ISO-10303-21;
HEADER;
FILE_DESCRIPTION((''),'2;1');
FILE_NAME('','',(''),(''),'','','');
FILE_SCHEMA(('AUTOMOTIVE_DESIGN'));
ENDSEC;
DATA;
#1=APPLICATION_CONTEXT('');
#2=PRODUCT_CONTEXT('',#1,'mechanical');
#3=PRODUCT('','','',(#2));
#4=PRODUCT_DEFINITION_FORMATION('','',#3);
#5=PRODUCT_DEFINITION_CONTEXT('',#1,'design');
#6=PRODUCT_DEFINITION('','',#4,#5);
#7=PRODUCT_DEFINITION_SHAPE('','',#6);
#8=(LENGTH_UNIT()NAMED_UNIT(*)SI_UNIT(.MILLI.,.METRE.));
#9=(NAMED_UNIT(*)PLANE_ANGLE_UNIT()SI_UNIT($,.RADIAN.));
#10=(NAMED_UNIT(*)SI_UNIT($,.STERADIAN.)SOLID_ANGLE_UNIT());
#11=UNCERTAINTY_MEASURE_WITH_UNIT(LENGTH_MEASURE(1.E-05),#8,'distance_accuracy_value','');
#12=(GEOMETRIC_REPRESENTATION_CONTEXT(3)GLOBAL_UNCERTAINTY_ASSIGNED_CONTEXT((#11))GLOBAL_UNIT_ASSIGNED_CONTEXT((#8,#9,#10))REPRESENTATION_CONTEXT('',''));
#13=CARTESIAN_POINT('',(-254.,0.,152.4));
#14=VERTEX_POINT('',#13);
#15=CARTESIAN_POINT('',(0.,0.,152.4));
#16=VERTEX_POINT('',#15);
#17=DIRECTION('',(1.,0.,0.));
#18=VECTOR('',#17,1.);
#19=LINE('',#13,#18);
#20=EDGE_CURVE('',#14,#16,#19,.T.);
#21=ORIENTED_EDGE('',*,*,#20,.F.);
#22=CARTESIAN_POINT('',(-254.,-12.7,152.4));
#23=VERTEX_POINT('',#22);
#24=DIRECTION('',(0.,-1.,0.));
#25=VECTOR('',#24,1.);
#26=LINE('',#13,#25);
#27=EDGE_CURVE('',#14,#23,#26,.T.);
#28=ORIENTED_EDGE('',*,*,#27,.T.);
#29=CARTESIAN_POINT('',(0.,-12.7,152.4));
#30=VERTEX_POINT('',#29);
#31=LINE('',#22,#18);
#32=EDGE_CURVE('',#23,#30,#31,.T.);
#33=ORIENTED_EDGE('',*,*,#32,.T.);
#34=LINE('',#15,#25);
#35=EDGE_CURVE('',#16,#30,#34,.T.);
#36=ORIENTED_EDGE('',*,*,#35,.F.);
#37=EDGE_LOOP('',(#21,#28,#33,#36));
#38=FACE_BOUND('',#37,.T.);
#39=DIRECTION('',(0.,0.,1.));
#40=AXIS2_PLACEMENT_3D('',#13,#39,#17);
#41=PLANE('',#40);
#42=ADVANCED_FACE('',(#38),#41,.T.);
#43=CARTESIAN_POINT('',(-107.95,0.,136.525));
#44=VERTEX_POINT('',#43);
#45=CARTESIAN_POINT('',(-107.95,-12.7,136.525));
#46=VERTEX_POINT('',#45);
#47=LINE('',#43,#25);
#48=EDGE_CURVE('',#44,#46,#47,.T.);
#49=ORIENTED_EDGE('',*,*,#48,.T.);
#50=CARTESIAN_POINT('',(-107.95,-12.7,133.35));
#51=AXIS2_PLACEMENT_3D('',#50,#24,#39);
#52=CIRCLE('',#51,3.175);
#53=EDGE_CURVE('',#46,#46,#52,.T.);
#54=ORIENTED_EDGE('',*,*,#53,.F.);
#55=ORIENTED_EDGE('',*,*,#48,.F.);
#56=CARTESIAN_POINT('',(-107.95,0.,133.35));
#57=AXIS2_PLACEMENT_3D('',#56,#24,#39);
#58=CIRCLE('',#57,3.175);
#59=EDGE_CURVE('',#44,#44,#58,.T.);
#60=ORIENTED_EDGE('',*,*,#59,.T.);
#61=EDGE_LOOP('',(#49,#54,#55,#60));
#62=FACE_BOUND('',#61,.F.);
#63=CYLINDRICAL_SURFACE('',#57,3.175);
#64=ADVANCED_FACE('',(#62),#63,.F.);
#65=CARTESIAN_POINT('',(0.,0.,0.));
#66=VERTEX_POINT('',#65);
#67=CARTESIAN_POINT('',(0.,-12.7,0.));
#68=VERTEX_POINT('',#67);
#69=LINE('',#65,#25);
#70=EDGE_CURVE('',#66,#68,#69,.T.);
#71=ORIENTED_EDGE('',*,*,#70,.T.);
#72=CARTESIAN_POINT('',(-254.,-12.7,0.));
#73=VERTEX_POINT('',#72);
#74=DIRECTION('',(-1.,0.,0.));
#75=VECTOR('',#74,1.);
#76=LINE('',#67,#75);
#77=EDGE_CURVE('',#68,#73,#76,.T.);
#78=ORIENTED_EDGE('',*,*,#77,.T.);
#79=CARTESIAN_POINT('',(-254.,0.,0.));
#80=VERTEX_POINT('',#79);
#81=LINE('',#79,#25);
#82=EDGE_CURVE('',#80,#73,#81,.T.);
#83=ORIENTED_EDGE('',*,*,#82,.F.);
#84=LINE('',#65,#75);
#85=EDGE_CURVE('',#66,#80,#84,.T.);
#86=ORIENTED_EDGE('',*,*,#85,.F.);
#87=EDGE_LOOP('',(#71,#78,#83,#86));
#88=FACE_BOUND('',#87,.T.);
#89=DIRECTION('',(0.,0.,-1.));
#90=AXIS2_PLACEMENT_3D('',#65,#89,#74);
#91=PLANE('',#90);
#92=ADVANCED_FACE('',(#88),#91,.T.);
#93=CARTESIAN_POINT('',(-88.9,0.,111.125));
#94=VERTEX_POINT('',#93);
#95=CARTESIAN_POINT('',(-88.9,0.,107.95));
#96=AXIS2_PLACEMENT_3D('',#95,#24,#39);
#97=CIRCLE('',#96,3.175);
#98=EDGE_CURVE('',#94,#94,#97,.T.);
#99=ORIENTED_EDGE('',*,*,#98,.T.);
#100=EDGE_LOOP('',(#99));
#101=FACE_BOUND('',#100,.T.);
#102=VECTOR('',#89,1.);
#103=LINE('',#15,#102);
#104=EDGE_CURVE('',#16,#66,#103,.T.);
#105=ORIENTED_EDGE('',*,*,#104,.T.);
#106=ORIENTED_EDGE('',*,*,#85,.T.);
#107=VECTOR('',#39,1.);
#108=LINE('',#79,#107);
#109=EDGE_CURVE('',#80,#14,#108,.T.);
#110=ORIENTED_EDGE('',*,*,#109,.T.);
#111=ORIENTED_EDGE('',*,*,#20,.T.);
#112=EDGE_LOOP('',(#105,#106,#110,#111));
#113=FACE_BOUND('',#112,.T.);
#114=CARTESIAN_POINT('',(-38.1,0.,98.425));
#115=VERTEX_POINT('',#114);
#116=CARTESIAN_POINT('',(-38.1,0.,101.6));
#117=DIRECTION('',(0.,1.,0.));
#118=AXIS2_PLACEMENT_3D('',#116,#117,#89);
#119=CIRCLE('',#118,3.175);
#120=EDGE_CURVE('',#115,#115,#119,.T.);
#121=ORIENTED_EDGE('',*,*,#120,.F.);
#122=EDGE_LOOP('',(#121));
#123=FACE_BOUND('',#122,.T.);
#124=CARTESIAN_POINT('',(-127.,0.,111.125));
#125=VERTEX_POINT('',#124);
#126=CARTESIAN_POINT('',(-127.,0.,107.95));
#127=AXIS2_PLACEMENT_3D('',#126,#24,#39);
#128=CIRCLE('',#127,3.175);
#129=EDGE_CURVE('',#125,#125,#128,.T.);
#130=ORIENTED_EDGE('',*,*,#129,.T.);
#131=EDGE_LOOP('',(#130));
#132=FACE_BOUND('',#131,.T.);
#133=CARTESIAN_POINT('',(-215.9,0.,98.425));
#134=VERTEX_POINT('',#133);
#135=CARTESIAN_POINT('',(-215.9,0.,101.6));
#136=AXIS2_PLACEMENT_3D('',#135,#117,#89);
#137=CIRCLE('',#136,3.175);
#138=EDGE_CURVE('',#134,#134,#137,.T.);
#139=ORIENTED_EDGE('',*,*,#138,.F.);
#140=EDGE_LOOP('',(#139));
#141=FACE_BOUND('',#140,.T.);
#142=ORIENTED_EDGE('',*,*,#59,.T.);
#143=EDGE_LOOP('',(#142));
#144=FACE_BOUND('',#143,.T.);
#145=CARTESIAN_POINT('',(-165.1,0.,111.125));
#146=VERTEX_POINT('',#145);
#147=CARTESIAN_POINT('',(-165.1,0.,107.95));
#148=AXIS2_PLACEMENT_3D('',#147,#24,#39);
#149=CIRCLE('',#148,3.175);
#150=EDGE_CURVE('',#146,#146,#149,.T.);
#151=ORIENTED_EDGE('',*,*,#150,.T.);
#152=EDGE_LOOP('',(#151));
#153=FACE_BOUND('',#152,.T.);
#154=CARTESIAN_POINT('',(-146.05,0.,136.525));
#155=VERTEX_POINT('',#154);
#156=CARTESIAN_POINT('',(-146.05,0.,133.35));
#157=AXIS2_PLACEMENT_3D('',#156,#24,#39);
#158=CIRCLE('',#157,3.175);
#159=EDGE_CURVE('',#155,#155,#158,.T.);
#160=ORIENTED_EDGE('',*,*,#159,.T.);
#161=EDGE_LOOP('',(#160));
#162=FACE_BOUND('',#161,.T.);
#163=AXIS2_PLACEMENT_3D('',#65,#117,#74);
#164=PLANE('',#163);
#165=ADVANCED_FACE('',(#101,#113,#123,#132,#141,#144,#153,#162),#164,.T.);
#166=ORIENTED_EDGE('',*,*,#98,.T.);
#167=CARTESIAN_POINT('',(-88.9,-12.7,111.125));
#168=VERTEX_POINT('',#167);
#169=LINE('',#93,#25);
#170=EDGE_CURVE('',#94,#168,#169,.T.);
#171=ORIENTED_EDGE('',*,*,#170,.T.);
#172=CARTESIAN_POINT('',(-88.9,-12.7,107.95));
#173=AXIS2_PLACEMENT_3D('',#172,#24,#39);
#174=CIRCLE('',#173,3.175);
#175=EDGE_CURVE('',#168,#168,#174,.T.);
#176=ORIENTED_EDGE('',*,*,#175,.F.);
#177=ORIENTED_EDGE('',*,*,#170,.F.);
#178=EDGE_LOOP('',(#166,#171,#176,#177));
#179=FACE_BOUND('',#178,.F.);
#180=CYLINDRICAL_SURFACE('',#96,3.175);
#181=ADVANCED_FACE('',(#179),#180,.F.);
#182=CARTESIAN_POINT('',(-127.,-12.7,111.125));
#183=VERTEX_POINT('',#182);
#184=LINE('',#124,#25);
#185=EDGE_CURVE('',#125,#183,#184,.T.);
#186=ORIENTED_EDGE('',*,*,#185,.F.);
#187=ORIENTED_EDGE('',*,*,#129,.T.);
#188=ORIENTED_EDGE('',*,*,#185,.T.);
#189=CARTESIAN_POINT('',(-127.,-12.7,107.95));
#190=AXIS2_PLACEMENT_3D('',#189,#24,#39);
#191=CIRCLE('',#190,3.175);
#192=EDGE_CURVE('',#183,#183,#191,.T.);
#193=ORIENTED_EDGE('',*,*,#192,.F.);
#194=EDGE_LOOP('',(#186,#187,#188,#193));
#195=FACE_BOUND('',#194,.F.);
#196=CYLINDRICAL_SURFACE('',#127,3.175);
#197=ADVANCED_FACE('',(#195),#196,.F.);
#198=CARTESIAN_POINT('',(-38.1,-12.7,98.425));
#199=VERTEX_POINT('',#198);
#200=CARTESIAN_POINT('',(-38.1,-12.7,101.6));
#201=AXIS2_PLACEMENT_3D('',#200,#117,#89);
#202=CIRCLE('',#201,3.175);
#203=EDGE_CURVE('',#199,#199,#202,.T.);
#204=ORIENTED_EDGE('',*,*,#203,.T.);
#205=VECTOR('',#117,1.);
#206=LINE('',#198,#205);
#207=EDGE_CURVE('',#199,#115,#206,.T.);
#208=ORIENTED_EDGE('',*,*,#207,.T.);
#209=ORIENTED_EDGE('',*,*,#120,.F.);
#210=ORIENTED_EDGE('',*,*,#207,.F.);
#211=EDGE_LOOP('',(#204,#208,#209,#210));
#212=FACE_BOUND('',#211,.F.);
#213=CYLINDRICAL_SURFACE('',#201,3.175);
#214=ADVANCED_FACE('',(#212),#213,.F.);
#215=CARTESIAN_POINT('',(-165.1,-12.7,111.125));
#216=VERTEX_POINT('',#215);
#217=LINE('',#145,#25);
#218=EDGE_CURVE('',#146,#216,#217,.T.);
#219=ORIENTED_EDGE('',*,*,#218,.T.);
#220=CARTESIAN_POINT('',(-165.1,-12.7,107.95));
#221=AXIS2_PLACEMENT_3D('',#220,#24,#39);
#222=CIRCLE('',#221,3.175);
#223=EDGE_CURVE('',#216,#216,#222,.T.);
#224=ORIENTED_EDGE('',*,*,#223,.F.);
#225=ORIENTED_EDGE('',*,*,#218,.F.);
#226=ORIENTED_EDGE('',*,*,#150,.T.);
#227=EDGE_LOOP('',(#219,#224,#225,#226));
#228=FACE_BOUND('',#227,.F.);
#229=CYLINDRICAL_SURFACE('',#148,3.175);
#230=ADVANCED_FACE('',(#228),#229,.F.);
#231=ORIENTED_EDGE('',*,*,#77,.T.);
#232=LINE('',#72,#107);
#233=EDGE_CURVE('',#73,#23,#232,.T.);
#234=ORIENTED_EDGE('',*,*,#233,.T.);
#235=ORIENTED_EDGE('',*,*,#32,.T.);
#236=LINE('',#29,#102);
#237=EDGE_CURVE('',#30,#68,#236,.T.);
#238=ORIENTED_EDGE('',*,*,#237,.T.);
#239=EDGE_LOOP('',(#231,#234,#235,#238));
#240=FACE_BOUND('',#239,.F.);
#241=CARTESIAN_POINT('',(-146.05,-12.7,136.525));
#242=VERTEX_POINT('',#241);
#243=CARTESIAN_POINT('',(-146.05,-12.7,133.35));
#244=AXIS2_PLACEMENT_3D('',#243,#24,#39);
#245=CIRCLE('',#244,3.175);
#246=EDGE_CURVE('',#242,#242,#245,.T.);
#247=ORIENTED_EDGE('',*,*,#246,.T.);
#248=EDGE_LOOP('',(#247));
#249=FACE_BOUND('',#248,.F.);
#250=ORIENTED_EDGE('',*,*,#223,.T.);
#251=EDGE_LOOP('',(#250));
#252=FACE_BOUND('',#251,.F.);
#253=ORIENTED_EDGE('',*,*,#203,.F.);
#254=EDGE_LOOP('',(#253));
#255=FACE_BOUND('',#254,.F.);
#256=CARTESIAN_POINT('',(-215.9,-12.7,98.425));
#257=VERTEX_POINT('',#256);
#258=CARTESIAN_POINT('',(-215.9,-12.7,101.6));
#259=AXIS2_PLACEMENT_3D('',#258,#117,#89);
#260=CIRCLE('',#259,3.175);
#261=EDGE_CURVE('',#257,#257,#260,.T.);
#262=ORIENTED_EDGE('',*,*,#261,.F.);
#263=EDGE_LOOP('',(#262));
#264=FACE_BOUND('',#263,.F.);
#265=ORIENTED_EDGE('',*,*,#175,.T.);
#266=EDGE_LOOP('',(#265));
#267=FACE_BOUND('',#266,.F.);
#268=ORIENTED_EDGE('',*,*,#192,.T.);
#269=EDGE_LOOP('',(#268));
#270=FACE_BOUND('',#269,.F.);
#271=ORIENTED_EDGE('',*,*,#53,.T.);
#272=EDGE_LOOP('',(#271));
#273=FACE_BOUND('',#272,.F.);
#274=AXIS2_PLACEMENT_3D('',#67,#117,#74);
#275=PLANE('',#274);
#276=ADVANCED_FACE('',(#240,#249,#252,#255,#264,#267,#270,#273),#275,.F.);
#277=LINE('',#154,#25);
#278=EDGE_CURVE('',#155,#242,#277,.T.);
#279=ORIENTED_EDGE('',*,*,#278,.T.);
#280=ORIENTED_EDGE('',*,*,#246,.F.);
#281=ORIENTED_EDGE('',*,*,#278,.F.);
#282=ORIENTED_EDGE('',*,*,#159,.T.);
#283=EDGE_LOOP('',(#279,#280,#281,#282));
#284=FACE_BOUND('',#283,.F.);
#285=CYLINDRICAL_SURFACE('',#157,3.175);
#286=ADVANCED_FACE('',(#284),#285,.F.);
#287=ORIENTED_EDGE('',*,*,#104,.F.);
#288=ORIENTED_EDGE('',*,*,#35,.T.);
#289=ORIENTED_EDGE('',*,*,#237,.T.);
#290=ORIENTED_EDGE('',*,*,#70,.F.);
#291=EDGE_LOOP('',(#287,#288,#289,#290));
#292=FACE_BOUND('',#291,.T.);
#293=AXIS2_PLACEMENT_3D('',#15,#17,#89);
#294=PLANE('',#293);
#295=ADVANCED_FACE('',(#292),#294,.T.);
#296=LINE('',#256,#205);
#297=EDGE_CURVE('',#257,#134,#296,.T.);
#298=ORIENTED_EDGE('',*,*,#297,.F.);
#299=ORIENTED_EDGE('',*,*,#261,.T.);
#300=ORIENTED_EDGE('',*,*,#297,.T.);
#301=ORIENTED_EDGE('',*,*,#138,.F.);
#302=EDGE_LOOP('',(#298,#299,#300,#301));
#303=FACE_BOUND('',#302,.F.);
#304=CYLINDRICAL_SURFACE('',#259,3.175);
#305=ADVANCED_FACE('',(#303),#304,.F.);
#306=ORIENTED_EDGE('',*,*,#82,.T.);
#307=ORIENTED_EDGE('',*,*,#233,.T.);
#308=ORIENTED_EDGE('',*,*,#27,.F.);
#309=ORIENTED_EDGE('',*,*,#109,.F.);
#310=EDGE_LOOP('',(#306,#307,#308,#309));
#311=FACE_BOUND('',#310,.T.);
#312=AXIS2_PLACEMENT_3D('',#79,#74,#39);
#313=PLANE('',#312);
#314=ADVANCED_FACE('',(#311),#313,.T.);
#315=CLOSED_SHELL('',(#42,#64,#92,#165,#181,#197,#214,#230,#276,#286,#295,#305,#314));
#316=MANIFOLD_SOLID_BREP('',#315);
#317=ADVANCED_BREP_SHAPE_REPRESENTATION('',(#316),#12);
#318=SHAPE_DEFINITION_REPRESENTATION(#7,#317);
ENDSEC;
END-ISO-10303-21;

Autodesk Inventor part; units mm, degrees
ref_plane "YZ Plane" through (0, 0, 0) normal (1, 0, 0) x (0, 1, 0)
ref_plane "XZ Plane" through (0, 0, 0) normal (0, 1, 0) x (-1, 0, 0)
ref_plane "XY Plane" through (0, 0, 0) normal (0, 0, 1) x (1, 0, 0)
sketch "Sketch1" plane through (0, 0, 0) normal (0, 1, 0) x (-1, 0, 0)
  line L0 (0, 0) -> (254, 0)
  line L1 (254, 0) -> (254, 152.4)
  line L2 (254, 152.4) -> (0, 152.4)
  line L3 (0, 152.4) -> (0, 0)
  dimension "d0" = 254
  dimension "d1" = 152.4
extrude "Extrusion1" add sketch "Sketch1" against normal blind 12.7
sketch "Sketch5" plane through (0, -12.7, 0) normal (0, -1, 0) x (1, 0, 0)
  line L0 (0, 0) -> (0, 152.4) projected
  line L1 (0, 152.4) -> (-254, 152.4) projected
  line L2 (-254, 152.4) -> (-254, 0) projected
  point P0 (-38.1, 101.6)
  point P1 (-215.9, 101.6)
  dimension "d20" = 50.8
  dimension "d21" = 38.1
  dimension "d22" = 38.1
hole "Hole1" at (-38.1, -12.7, 101.6) at (-215.9, -12.7, 101.6) direction (0, 1, 0) diameter 6.35 end through all
sketch "Sketch10" plane through (0, 0, 0) normal (0, 1, 0) x (1, 0, 0)
  line L0 (-254, 0) -> (-254, -152.4) projected
  line L1 (-254, -152.4) -> (0, -152.4) projected
  line L2 (0, -152.4) -> (0, 0) projected
  point P0 (-88.9, -107.95)
  point P1 (-127, -107.95)
  point P2 (-165.1, -107.95)
  point P3 (-146.05, -133.35)
  point P4 (-107.95, -133.35)
  dimension "d67" = 38.1
  dimension "d69" = 38.1
  dimension "d70" = 19.05
  dimension "d71" = 19.05
  dimension "d72" = 127
  dimension "d73" = 127
  dimension "d74" = 19.05
  dimension "d75" = 25.4
hole "Hole5" at (-88.9, 0, 107.95) at (-127, 0, 107.95) at (-165.1, 0, 107.95) at (-146.05, 0, 133.35) at (-107.95, 0, 133.35) direction (0, -1, 0) diameter 6.35 end through all
equation "\"d22\" = d21"
equation "\"d72\" = d73"
properties part number "tractor"
